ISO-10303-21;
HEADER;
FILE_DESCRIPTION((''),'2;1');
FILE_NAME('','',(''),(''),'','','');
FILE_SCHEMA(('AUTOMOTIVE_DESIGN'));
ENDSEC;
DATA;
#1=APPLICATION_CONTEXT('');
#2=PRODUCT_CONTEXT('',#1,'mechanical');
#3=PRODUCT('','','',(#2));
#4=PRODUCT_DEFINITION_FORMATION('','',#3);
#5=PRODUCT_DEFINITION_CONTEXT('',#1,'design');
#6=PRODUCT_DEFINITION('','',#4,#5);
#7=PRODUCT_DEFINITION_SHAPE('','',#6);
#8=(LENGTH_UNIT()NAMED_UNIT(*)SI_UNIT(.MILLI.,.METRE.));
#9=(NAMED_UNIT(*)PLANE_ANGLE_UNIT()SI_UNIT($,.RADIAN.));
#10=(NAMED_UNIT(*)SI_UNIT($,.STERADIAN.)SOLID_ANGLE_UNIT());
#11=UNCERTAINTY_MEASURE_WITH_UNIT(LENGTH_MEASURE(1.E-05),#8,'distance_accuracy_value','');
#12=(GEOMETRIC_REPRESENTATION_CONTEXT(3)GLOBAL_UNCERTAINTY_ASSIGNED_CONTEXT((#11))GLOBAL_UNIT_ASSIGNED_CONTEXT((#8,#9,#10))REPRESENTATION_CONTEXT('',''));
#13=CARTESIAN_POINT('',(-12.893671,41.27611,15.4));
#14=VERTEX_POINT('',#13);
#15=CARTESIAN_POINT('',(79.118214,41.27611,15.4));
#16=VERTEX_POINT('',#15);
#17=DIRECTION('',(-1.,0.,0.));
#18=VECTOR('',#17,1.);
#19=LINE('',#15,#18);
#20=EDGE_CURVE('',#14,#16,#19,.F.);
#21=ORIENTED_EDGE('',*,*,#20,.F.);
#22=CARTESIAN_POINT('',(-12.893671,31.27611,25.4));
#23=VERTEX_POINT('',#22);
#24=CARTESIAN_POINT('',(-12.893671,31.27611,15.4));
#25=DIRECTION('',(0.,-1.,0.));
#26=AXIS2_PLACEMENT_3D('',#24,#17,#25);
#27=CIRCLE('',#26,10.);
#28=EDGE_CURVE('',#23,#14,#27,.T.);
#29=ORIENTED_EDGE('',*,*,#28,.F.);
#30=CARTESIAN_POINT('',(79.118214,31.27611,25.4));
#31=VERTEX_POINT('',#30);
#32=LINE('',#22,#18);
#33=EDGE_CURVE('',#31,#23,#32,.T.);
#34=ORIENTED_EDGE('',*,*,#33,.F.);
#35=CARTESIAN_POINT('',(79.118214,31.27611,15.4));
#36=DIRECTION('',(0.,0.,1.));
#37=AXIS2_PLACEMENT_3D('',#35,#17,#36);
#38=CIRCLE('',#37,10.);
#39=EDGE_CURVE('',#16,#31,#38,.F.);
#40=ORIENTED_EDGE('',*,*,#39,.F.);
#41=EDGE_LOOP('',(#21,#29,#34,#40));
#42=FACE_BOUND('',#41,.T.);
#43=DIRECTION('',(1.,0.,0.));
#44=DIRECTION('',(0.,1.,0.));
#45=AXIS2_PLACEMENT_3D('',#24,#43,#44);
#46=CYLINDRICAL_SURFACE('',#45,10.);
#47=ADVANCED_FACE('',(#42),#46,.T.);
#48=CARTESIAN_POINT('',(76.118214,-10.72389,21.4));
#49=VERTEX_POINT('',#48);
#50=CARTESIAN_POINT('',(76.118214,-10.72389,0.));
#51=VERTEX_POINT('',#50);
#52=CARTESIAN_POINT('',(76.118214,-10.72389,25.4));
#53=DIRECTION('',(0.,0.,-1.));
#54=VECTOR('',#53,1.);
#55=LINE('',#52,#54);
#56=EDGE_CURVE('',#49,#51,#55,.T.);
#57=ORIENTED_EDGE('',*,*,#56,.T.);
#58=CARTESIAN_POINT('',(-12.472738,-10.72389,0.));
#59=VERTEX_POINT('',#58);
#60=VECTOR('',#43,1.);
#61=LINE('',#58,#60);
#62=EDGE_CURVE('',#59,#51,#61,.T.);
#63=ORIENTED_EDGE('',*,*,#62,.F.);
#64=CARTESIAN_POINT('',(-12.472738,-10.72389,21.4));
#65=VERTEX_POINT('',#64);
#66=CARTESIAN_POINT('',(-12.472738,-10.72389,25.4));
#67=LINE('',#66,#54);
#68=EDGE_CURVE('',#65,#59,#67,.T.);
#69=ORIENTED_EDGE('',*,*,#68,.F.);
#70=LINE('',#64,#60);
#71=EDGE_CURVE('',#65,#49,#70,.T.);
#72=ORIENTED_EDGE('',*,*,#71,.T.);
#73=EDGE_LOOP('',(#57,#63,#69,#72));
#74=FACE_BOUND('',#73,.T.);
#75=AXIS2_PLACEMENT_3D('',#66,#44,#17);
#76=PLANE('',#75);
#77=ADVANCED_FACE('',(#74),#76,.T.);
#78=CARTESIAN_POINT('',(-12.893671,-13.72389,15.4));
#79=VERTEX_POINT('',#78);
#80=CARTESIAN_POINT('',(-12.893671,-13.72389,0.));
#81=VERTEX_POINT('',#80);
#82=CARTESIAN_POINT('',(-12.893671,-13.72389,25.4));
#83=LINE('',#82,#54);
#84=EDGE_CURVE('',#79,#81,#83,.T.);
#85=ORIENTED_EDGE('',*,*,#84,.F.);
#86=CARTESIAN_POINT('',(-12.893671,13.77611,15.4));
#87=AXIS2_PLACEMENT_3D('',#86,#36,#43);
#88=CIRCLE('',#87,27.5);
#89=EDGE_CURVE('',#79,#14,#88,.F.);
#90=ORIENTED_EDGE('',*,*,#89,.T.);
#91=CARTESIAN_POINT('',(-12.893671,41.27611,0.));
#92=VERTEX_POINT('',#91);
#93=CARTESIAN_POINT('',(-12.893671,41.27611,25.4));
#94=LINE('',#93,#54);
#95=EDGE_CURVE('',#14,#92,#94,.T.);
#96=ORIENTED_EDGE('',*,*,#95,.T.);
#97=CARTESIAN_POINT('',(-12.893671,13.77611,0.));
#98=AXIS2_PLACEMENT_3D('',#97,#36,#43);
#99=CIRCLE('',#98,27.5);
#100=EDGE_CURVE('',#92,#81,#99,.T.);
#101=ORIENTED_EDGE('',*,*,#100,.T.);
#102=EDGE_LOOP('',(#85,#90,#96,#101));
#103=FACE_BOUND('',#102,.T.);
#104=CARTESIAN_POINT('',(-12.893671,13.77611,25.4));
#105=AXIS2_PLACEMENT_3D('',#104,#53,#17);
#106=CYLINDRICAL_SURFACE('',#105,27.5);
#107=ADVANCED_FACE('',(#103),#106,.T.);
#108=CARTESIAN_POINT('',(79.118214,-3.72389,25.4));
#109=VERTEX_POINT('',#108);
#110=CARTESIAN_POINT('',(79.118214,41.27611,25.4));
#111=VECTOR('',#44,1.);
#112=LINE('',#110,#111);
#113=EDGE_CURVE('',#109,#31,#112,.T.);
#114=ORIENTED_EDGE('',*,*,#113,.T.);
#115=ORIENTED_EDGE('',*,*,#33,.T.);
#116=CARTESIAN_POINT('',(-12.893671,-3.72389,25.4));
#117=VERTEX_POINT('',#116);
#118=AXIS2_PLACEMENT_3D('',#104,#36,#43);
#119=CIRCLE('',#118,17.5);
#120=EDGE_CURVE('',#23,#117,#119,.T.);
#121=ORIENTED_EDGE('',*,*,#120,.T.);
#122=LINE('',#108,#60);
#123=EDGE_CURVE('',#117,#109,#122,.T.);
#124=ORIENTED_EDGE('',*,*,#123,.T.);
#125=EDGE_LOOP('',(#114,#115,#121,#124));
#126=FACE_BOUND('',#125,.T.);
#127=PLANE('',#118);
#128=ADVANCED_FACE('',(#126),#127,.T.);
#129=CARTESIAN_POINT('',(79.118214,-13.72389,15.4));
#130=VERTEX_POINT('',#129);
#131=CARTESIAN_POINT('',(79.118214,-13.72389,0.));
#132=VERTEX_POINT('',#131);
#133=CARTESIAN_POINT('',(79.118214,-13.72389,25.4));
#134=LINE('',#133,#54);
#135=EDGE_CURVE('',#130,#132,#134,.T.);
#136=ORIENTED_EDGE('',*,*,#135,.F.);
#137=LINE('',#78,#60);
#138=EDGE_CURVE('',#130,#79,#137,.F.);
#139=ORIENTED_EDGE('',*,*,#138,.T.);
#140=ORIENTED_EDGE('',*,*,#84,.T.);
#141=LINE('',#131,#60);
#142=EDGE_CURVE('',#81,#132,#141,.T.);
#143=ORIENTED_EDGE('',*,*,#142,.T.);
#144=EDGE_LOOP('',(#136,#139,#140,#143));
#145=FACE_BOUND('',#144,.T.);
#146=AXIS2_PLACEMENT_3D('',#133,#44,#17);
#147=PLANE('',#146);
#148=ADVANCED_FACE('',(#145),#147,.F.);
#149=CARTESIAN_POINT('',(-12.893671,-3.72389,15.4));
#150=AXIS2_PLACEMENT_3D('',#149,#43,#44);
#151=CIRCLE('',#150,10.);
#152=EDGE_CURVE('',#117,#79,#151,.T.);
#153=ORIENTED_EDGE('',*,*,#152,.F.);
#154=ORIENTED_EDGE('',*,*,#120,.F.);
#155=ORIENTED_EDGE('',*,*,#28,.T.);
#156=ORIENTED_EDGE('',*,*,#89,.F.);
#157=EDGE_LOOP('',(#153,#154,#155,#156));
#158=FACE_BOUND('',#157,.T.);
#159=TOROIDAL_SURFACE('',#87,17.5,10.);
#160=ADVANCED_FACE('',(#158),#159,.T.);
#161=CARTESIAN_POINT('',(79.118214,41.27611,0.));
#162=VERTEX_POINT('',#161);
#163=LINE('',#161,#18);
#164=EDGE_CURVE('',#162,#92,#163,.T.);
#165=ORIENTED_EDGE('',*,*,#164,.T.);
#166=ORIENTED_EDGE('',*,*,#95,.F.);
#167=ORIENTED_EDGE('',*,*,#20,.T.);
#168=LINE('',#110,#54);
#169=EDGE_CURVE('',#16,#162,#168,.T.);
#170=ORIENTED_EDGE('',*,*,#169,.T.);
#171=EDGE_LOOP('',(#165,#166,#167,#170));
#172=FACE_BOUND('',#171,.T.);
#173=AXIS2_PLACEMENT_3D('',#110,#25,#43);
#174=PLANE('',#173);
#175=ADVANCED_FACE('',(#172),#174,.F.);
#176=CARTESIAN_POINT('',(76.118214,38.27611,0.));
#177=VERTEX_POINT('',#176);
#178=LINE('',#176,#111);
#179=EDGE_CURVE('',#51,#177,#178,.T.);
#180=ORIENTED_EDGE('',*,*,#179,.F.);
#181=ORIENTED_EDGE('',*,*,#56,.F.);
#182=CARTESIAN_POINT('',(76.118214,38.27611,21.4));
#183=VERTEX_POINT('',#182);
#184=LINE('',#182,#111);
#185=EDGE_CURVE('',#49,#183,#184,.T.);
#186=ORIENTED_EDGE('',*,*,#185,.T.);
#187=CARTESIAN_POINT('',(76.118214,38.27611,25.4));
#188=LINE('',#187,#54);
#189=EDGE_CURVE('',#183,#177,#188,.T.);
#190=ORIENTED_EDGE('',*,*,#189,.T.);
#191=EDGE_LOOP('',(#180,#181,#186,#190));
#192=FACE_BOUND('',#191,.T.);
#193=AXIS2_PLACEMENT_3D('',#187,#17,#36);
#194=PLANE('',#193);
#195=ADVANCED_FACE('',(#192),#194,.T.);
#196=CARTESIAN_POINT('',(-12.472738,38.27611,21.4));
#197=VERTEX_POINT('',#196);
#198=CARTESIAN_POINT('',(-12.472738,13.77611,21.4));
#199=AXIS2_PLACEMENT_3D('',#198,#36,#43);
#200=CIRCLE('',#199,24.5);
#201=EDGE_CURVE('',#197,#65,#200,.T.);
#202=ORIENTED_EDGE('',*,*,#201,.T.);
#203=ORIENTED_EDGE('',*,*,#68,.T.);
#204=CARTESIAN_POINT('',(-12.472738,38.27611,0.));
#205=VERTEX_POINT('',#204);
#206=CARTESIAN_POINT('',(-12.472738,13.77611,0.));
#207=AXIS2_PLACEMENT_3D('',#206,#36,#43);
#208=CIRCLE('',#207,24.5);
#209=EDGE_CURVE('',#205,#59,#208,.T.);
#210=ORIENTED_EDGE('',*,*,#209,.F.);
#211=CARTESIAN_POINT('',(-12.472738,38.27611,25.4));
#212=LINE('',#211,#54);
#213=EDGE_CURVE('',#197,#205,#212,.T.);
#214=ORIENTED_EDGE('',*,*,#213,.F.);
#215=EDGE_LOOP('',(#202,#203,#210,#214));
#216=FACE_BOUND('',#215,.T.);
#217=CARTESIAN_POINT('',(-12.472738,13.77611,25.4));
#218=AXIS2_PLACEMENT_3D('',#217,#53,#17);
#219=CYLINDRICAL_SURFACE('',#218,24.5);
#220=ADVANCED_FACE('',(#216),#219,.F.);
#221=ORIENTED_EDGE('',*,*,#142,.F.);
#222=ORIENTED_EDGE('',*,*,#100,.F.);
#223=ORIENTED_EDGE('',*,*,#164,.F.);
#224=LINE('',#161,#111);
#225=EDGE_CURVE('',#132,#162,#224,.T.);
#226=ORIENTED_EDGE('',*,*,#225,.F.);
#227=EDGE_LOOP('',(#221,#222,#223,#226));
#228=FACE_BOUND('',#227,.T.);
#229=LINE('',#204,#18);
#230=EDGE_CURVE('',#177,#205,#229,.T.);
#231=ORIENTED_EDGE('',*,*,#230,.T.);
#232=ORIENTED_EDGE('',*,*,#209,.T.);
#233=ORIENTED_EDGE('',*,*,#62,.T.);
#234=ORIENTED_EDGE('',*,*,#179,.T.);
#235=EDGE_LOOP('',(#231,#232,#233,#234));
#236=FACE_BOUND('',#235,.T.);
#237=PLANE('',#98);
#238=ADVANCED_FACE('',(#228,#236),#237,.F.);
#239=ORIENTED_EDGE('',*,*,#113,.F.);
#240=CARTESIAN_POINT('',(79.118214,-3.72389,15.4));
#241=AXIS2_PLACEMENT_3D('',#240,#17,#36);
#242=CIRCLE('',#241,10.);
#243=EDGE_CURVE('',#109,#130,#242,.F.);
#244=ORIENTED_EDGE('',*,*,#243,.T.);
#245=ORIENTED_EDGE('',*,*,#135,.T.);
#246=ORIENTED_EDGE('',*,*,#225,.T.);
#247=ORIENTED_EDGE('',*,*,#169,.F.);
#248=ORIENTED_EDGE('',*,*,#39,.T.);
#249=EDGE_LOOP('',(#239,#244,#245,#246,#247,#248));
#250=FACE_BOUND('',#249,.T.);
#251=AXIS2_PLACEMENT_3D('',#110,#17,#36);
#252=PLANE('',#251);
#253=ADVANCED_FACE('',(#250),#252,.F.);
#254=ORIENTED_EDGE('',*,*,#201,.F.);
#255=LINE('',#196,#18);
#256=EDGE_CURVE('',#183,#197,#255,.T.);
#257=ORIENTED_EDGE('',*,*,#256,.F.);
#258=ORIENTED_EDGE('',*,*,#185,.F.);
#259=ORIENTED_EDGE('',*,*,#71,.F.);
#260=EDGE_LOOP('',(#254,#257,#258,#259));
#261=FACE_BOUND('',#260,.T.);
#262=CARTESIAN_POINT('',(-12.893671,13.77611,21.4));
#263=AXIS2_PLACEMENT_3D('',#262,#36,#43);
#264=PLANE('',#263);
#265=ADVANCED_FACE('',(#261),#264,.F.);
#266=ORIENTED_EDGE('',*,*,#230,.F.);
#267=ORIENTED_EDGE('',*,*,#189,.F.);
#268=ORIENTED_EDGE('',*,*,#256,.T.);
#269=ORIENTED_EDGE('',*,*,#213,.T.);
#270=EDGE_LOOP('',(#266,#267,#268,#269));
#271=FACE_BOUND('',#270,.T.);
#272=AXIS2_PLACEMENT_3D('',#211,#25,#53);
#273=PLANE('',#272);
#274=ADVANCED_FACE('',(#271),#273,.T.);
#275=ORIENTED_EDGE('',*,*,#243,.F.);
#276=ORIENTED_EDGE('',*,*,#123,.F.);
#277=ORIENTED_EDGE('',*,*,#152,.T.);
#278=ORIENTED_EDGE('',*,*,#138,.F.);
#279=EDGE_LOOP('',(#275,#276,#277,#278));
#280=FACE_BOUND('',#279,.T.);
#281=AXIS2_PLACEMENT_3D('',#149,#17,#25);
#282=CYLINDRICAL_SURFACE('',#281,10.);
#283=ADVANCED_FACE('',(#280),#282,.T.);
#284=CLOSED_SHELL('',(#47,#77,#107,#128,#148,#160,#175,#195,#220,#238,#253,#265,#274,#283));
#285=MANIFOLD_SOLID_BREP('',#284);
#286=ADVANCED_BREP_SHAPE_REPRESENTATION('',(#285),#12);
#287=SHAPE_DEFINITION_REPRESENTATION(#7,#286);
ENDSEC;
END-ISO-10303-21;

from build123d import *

# Parameters (mm, degrees)
BOSS_EXTRUDE3_DEPTH = 25.4
BOSS_EXTRUDE4_DEPTH = 4
FILLET2_R           = 10


with BuildPart() as part:
    # Sketch4 → Boss-Extrude3 (new body)
    with BuildSketch(Plane.XY):
        with BuildLine():
            Line((79.118213734, 41.276110426), (-12.893671351, 41.276110426))
            ThreePointArc((-12.893671351, 41.276110426), (-40.393671351, 13.776110426), (-12.893671351, -13.723889574))
            Line((-12.893671351, -13.723889574), (79.118213734, -13.723889574))
            Line((79.118213734, -13.723889574), (79.118213734, 41.276110426))
        make_face()
        with BuildLine():
            Line((-12.472737934, 38.276110426), (76.118213734, 38.276110426))
            Line((76.118213734, 38.276110426), (76.118213734, -10.723889574))
            Line((76.118213734, -10.723889574), (-12.472737934, -10.723889574))
            ThreePointArc((-12.472737934, -10.723889574), (-36.972737934, 13.776110426), (-12.472737934, 38.276110426))
        make_face(mode=Mode.SUBTRACT)
    extrude(amount=BOSS_EXTRUDE3_DEPTH)

    # Sketch6 → Boss-Extrude4 (add)
    with BuildSketch(Plane.XY.offset(25.4)):
        with BuildLine():
            Line((-12.893671351, 41.276110426), (79.118213734, 41.276110426))
            Line((79.118213734, 41.276110426), (79.118213734, -13.723889574))
            Line((79.118213734, -13.723889574), (-12.893671351, -13.723889574))
            ThreePointArc((-12.893671351, -13.723889574), (-40.393671351, 13.776110426), (-12.893671351, 41.276110426))
        make_face()
    extrude(amount=-BOSS_EXTRUDE4_DEPTH)

    # Fillet2
    fillet2_edges = [part.edges().sort_by_distance(p)[0] for p in [
        (-40.393671351, 13.776110426, 25.4),
        (33.112271192, -13.723889574, 25.4),
        (33.112271192, 41.276110426, 25.4),
    ]]
    fillet(fillet2_edges, radius=FILLET2_R)


solid = part.part
